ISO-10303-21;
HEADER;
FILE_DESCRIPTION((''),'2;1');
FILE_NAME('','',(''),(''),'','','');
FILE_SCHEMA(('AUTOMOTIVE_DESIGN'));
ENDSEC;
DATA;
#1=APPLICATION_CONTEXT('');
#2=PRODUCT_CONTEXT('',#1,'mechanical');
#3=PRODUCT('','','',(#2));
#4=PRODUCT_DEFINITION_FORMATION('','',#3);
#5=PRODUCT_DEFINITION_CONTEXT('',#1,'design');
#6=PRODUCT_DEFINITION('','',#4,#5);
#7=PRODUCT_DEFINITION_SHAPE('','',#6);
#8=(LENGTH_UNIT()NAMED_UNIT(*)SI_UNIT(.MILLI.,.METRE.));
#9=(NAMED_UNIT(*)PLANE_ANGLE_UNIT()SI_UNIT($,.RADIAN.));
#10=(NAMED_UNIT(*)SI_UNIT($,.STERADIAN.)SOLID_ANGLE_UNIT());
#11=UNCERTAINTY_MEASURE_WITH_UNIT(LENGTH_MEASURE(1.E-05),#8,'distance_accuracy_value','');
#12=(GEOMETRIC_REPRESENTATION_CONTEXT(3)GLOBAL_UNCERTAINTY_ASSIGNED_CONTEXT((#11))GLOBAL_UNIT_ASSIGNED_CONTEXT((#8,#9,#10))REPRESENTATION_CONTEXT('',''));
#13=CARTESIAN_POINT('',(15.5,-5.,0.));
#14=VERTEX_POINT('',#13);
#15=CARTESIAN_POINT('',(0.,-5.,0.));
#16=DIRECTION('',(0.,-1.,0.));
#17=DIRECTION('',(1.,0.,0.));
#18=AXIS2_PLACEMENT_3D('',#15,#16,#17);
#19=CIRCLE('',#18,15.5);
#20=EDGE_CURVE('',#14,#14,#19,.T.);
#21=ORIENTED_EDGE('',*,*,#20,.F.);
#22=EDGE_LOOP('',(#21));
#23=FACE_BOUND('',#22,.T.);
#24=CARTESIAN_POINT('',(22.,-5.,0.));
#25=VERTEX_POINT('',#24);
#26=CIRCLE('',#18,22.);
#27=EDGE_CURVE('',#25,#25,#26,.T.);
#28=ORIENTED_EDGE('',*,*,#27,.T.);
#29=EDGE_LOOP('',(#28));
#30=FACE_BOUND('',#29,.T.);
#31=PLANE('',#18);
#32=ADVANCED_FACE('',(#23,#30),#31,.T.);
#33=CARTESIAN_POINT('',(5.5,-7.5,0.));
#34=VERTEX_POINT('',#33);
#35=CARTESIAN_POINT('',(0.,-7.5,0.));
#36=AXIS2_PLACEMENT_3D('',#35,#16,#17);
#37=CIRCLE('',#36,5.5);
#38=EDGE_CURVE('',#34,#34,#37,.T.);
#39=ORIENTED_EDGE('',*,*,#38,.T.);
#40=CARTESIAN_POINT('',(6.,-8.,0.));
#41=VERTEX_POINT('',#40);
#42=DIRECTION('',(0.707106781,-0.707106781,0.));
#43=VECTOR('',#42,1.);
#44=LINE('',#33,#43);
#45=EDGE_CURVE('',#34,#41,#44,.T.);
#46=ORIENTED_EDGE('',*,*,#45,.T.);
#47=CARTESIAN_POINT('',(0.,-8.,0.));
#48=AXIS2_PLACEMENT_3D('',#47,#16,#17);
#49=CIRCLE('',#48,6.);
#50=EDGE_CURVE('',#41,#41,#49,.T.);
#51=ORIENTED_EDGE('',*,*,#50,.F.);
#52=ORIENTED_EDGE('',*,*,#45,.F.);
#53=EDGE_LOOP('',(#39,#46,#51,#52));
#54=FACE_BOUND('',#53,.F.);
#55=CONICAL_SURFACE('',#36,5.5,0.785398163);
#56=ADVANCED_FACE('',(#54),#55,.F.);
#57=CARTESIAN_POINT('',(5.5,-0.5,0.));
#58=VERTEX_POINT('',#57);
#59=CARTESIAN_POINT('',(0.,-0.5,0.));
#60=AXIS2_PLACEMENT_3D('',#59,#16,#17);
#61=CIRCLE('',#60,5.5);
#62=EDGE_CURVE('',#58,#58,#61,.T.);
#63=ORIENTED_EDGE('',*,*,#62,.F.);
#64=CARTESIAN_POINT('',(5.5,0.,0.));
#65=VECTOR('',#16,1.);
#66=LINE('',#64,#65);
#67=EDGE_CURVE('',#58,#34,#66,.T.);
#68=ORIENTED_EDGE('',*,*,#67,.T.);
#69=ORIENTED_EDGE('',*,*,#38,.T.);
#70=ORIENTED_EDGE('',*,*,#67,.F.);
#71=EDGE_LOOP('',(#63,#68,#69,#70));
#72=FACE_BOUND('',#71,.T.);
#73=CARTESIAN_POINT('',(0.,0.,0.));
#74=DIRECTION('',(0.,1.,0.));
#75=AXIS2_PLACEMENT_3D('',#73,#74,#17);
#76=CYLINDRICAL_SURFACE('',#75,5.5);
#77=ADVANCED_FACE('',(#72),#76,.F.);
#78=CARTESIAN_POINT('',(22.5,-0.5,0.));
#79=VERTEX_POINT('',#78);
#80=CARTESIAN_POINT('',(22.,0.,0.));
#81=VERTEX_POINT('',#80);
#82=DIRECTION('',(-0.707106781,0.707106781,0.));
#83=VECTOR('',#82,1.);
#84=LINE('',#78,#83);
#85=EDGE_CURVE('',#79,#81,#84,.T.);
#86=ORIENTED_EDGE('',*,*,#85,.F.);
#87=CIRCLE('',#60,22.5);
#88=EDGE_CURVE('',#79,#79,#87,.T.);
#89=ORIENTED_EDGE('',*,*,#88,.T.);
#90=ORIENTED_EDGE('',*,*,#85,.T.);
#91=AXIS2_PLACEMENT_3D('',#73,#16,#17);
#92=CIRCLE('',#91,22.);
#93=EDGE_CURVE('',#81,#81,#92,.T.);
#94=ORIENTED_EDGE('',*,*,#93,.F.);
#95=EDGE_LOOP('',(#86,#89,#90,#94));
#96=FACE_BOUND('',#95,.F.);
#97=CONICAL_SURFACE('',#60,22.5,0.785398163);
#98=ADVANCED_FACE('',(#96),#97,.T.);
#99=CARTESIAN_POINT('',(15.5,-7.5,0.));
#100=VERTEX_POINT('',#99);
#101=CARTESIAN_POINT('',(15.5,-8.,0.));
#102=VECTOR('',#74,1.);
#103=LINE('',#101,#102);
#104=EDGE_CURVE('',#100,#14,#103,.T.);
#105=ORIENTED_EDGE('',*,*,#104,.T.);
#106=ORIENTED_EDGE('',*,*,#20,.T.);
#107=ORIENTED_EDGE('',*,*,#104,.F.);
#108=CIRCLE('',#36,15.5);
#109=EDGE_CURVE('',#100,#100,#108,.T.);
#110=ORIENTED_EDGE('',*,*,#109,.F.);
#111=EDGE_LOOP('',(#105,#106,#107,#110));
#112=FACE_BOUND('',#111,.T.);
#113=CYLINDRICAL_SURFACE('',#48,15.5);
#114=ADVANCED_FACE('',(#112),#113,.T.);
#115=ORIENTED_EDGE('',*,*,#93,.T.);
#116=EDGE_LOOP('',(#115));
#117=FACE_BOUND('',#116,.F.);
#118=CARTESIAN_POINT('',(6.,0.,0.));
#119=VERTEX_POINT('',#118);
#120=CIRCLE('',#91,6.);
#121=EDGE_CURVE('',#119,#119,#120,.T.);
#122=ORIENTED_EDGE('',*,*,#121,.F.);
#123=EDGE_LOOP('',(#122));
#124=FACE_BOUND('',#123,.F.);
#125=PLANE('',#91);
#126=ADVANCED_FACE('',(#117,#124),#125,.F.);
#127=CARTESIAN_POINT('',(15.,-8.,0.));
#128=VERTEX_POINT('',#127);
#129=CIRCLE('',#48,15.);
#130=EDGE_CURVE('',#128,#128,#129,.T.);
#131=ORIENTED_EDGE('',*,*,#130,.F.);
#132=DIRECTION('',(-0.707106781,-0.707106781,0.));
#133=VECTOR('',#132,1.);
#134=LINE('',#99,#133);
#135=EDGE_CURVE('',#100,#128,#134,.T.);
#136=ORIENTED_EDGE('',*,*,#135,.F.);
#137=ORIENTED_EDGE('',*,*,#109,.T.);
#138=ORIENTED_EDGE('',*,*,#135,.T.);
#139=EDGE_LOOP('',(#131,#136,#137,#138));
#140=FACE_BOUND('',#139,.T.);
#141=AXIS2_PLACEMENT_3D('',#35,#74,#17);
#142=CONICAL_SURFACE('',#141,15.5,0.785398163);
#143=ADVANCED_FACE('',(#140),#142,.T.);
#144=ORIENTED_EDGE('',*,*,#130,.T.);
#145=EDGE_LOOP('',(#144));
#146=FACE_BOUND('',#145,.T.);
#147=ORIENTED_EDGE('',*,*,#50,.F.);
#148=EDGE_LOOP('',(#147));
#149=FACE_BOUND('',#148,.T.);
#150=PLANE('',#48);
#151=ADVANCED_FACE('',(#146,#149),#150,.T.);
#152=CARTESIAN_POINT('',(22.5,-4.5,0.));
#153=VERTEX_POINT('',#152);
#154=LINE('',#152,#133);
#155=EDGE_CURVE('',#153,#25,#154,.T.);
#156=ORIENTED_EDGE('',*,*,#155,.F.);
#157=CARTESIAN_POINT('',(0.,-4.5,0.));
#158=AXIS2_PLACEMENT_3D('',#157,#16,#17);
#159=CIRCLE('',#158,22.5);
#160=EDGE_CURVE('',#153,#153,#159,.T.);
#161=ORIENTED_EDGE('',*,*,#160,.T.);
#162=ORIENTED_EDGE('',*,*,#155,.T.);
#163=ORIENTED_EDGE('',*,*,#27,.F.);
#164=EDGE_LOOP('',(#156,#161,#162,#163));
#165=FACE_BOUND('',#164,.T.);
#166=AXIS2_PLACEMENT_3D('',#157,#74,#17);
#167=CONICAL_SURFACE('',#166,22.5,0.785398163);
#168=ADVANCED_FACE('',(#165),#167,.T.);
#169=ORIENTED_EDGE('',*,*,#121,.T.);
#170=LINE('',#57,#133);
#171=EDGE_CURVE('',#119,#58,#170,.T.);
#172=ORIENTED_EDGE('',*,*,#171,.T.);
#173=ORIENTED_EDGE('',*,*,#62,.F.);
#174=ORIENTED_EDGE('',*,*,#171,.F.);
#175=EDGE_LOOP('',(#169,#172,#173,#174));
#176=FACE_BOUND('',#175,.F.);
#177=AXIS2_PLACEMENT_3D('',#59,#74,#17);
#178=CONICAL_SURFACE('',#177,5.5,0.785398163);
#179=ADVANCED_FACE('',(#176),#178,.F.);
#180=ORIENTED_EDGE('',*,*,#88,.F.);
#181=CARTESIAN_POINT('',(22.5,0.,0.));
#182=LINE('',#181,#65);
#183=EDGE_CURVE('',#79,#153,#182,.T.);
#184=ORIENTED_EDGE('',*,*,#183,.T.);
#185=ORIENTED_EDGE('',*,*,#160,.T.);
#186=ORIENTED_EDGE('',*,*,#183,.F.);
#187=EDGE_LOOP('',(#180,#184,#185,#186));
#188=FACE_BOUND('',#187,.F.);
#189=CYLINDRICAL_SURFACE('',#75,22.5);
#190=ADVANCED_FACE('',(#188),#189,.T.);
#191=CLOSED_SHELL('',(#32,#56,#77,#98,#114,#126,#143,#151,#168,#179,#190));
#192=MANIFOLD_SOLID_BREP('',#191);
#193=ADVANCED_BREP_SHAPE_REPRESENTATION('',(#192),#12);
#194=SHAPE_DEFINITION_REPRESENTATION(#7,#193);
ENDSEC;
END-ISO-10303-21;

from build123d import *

# Parameters (mm, degrees)
F0_R     = 22.5
F0_R_2   = 5.5
F1_DEPTH = 8
F2_R     = 22.5
F2_R_2   = 15.5
F3_DEPTH = 3
F4_SIZE  = 0.5
F5_SIZE  = 0.5


with BuildPart() as f1:
    # F0 (on Front) → F1 (new body)
    with BuildSketch(Plane.XZ):
        Circle(F0_R)
        Circle(F0_R_2, mode=Mode.SUBTRACT)
    extrude(amount=F1_DEPTH)

    # F2 (on face) → F3 (cut)
    with BuildSketch(Plane.XZ.offset(8)):
        Circle(F2_R)
        Circle(F2_R_2, mode=Mode.SUBTRACT)
    extrude(amount=-F3_DEPTH, mode=Mode.SUBTRACT)

    # F4
    f4_edges = [f1.edges().sort_by_distance(p)[0] for p in [
        (-22.5, 0, 0),
        (-22.5, -5, 0),
        (-15.5, -8, 0),
    ]]
    chamfer(f4_edges, length=F4_SIZE)

    # F5
    f5_edges = [f1.edges().sort_by_distance(p)[0] for p in [
        (-5.5, -8, 0),
        (-5.5, 0, 0),
    ]]
    chamfer(f5_edges, length=F5_SIZE)


solid = f1.part
